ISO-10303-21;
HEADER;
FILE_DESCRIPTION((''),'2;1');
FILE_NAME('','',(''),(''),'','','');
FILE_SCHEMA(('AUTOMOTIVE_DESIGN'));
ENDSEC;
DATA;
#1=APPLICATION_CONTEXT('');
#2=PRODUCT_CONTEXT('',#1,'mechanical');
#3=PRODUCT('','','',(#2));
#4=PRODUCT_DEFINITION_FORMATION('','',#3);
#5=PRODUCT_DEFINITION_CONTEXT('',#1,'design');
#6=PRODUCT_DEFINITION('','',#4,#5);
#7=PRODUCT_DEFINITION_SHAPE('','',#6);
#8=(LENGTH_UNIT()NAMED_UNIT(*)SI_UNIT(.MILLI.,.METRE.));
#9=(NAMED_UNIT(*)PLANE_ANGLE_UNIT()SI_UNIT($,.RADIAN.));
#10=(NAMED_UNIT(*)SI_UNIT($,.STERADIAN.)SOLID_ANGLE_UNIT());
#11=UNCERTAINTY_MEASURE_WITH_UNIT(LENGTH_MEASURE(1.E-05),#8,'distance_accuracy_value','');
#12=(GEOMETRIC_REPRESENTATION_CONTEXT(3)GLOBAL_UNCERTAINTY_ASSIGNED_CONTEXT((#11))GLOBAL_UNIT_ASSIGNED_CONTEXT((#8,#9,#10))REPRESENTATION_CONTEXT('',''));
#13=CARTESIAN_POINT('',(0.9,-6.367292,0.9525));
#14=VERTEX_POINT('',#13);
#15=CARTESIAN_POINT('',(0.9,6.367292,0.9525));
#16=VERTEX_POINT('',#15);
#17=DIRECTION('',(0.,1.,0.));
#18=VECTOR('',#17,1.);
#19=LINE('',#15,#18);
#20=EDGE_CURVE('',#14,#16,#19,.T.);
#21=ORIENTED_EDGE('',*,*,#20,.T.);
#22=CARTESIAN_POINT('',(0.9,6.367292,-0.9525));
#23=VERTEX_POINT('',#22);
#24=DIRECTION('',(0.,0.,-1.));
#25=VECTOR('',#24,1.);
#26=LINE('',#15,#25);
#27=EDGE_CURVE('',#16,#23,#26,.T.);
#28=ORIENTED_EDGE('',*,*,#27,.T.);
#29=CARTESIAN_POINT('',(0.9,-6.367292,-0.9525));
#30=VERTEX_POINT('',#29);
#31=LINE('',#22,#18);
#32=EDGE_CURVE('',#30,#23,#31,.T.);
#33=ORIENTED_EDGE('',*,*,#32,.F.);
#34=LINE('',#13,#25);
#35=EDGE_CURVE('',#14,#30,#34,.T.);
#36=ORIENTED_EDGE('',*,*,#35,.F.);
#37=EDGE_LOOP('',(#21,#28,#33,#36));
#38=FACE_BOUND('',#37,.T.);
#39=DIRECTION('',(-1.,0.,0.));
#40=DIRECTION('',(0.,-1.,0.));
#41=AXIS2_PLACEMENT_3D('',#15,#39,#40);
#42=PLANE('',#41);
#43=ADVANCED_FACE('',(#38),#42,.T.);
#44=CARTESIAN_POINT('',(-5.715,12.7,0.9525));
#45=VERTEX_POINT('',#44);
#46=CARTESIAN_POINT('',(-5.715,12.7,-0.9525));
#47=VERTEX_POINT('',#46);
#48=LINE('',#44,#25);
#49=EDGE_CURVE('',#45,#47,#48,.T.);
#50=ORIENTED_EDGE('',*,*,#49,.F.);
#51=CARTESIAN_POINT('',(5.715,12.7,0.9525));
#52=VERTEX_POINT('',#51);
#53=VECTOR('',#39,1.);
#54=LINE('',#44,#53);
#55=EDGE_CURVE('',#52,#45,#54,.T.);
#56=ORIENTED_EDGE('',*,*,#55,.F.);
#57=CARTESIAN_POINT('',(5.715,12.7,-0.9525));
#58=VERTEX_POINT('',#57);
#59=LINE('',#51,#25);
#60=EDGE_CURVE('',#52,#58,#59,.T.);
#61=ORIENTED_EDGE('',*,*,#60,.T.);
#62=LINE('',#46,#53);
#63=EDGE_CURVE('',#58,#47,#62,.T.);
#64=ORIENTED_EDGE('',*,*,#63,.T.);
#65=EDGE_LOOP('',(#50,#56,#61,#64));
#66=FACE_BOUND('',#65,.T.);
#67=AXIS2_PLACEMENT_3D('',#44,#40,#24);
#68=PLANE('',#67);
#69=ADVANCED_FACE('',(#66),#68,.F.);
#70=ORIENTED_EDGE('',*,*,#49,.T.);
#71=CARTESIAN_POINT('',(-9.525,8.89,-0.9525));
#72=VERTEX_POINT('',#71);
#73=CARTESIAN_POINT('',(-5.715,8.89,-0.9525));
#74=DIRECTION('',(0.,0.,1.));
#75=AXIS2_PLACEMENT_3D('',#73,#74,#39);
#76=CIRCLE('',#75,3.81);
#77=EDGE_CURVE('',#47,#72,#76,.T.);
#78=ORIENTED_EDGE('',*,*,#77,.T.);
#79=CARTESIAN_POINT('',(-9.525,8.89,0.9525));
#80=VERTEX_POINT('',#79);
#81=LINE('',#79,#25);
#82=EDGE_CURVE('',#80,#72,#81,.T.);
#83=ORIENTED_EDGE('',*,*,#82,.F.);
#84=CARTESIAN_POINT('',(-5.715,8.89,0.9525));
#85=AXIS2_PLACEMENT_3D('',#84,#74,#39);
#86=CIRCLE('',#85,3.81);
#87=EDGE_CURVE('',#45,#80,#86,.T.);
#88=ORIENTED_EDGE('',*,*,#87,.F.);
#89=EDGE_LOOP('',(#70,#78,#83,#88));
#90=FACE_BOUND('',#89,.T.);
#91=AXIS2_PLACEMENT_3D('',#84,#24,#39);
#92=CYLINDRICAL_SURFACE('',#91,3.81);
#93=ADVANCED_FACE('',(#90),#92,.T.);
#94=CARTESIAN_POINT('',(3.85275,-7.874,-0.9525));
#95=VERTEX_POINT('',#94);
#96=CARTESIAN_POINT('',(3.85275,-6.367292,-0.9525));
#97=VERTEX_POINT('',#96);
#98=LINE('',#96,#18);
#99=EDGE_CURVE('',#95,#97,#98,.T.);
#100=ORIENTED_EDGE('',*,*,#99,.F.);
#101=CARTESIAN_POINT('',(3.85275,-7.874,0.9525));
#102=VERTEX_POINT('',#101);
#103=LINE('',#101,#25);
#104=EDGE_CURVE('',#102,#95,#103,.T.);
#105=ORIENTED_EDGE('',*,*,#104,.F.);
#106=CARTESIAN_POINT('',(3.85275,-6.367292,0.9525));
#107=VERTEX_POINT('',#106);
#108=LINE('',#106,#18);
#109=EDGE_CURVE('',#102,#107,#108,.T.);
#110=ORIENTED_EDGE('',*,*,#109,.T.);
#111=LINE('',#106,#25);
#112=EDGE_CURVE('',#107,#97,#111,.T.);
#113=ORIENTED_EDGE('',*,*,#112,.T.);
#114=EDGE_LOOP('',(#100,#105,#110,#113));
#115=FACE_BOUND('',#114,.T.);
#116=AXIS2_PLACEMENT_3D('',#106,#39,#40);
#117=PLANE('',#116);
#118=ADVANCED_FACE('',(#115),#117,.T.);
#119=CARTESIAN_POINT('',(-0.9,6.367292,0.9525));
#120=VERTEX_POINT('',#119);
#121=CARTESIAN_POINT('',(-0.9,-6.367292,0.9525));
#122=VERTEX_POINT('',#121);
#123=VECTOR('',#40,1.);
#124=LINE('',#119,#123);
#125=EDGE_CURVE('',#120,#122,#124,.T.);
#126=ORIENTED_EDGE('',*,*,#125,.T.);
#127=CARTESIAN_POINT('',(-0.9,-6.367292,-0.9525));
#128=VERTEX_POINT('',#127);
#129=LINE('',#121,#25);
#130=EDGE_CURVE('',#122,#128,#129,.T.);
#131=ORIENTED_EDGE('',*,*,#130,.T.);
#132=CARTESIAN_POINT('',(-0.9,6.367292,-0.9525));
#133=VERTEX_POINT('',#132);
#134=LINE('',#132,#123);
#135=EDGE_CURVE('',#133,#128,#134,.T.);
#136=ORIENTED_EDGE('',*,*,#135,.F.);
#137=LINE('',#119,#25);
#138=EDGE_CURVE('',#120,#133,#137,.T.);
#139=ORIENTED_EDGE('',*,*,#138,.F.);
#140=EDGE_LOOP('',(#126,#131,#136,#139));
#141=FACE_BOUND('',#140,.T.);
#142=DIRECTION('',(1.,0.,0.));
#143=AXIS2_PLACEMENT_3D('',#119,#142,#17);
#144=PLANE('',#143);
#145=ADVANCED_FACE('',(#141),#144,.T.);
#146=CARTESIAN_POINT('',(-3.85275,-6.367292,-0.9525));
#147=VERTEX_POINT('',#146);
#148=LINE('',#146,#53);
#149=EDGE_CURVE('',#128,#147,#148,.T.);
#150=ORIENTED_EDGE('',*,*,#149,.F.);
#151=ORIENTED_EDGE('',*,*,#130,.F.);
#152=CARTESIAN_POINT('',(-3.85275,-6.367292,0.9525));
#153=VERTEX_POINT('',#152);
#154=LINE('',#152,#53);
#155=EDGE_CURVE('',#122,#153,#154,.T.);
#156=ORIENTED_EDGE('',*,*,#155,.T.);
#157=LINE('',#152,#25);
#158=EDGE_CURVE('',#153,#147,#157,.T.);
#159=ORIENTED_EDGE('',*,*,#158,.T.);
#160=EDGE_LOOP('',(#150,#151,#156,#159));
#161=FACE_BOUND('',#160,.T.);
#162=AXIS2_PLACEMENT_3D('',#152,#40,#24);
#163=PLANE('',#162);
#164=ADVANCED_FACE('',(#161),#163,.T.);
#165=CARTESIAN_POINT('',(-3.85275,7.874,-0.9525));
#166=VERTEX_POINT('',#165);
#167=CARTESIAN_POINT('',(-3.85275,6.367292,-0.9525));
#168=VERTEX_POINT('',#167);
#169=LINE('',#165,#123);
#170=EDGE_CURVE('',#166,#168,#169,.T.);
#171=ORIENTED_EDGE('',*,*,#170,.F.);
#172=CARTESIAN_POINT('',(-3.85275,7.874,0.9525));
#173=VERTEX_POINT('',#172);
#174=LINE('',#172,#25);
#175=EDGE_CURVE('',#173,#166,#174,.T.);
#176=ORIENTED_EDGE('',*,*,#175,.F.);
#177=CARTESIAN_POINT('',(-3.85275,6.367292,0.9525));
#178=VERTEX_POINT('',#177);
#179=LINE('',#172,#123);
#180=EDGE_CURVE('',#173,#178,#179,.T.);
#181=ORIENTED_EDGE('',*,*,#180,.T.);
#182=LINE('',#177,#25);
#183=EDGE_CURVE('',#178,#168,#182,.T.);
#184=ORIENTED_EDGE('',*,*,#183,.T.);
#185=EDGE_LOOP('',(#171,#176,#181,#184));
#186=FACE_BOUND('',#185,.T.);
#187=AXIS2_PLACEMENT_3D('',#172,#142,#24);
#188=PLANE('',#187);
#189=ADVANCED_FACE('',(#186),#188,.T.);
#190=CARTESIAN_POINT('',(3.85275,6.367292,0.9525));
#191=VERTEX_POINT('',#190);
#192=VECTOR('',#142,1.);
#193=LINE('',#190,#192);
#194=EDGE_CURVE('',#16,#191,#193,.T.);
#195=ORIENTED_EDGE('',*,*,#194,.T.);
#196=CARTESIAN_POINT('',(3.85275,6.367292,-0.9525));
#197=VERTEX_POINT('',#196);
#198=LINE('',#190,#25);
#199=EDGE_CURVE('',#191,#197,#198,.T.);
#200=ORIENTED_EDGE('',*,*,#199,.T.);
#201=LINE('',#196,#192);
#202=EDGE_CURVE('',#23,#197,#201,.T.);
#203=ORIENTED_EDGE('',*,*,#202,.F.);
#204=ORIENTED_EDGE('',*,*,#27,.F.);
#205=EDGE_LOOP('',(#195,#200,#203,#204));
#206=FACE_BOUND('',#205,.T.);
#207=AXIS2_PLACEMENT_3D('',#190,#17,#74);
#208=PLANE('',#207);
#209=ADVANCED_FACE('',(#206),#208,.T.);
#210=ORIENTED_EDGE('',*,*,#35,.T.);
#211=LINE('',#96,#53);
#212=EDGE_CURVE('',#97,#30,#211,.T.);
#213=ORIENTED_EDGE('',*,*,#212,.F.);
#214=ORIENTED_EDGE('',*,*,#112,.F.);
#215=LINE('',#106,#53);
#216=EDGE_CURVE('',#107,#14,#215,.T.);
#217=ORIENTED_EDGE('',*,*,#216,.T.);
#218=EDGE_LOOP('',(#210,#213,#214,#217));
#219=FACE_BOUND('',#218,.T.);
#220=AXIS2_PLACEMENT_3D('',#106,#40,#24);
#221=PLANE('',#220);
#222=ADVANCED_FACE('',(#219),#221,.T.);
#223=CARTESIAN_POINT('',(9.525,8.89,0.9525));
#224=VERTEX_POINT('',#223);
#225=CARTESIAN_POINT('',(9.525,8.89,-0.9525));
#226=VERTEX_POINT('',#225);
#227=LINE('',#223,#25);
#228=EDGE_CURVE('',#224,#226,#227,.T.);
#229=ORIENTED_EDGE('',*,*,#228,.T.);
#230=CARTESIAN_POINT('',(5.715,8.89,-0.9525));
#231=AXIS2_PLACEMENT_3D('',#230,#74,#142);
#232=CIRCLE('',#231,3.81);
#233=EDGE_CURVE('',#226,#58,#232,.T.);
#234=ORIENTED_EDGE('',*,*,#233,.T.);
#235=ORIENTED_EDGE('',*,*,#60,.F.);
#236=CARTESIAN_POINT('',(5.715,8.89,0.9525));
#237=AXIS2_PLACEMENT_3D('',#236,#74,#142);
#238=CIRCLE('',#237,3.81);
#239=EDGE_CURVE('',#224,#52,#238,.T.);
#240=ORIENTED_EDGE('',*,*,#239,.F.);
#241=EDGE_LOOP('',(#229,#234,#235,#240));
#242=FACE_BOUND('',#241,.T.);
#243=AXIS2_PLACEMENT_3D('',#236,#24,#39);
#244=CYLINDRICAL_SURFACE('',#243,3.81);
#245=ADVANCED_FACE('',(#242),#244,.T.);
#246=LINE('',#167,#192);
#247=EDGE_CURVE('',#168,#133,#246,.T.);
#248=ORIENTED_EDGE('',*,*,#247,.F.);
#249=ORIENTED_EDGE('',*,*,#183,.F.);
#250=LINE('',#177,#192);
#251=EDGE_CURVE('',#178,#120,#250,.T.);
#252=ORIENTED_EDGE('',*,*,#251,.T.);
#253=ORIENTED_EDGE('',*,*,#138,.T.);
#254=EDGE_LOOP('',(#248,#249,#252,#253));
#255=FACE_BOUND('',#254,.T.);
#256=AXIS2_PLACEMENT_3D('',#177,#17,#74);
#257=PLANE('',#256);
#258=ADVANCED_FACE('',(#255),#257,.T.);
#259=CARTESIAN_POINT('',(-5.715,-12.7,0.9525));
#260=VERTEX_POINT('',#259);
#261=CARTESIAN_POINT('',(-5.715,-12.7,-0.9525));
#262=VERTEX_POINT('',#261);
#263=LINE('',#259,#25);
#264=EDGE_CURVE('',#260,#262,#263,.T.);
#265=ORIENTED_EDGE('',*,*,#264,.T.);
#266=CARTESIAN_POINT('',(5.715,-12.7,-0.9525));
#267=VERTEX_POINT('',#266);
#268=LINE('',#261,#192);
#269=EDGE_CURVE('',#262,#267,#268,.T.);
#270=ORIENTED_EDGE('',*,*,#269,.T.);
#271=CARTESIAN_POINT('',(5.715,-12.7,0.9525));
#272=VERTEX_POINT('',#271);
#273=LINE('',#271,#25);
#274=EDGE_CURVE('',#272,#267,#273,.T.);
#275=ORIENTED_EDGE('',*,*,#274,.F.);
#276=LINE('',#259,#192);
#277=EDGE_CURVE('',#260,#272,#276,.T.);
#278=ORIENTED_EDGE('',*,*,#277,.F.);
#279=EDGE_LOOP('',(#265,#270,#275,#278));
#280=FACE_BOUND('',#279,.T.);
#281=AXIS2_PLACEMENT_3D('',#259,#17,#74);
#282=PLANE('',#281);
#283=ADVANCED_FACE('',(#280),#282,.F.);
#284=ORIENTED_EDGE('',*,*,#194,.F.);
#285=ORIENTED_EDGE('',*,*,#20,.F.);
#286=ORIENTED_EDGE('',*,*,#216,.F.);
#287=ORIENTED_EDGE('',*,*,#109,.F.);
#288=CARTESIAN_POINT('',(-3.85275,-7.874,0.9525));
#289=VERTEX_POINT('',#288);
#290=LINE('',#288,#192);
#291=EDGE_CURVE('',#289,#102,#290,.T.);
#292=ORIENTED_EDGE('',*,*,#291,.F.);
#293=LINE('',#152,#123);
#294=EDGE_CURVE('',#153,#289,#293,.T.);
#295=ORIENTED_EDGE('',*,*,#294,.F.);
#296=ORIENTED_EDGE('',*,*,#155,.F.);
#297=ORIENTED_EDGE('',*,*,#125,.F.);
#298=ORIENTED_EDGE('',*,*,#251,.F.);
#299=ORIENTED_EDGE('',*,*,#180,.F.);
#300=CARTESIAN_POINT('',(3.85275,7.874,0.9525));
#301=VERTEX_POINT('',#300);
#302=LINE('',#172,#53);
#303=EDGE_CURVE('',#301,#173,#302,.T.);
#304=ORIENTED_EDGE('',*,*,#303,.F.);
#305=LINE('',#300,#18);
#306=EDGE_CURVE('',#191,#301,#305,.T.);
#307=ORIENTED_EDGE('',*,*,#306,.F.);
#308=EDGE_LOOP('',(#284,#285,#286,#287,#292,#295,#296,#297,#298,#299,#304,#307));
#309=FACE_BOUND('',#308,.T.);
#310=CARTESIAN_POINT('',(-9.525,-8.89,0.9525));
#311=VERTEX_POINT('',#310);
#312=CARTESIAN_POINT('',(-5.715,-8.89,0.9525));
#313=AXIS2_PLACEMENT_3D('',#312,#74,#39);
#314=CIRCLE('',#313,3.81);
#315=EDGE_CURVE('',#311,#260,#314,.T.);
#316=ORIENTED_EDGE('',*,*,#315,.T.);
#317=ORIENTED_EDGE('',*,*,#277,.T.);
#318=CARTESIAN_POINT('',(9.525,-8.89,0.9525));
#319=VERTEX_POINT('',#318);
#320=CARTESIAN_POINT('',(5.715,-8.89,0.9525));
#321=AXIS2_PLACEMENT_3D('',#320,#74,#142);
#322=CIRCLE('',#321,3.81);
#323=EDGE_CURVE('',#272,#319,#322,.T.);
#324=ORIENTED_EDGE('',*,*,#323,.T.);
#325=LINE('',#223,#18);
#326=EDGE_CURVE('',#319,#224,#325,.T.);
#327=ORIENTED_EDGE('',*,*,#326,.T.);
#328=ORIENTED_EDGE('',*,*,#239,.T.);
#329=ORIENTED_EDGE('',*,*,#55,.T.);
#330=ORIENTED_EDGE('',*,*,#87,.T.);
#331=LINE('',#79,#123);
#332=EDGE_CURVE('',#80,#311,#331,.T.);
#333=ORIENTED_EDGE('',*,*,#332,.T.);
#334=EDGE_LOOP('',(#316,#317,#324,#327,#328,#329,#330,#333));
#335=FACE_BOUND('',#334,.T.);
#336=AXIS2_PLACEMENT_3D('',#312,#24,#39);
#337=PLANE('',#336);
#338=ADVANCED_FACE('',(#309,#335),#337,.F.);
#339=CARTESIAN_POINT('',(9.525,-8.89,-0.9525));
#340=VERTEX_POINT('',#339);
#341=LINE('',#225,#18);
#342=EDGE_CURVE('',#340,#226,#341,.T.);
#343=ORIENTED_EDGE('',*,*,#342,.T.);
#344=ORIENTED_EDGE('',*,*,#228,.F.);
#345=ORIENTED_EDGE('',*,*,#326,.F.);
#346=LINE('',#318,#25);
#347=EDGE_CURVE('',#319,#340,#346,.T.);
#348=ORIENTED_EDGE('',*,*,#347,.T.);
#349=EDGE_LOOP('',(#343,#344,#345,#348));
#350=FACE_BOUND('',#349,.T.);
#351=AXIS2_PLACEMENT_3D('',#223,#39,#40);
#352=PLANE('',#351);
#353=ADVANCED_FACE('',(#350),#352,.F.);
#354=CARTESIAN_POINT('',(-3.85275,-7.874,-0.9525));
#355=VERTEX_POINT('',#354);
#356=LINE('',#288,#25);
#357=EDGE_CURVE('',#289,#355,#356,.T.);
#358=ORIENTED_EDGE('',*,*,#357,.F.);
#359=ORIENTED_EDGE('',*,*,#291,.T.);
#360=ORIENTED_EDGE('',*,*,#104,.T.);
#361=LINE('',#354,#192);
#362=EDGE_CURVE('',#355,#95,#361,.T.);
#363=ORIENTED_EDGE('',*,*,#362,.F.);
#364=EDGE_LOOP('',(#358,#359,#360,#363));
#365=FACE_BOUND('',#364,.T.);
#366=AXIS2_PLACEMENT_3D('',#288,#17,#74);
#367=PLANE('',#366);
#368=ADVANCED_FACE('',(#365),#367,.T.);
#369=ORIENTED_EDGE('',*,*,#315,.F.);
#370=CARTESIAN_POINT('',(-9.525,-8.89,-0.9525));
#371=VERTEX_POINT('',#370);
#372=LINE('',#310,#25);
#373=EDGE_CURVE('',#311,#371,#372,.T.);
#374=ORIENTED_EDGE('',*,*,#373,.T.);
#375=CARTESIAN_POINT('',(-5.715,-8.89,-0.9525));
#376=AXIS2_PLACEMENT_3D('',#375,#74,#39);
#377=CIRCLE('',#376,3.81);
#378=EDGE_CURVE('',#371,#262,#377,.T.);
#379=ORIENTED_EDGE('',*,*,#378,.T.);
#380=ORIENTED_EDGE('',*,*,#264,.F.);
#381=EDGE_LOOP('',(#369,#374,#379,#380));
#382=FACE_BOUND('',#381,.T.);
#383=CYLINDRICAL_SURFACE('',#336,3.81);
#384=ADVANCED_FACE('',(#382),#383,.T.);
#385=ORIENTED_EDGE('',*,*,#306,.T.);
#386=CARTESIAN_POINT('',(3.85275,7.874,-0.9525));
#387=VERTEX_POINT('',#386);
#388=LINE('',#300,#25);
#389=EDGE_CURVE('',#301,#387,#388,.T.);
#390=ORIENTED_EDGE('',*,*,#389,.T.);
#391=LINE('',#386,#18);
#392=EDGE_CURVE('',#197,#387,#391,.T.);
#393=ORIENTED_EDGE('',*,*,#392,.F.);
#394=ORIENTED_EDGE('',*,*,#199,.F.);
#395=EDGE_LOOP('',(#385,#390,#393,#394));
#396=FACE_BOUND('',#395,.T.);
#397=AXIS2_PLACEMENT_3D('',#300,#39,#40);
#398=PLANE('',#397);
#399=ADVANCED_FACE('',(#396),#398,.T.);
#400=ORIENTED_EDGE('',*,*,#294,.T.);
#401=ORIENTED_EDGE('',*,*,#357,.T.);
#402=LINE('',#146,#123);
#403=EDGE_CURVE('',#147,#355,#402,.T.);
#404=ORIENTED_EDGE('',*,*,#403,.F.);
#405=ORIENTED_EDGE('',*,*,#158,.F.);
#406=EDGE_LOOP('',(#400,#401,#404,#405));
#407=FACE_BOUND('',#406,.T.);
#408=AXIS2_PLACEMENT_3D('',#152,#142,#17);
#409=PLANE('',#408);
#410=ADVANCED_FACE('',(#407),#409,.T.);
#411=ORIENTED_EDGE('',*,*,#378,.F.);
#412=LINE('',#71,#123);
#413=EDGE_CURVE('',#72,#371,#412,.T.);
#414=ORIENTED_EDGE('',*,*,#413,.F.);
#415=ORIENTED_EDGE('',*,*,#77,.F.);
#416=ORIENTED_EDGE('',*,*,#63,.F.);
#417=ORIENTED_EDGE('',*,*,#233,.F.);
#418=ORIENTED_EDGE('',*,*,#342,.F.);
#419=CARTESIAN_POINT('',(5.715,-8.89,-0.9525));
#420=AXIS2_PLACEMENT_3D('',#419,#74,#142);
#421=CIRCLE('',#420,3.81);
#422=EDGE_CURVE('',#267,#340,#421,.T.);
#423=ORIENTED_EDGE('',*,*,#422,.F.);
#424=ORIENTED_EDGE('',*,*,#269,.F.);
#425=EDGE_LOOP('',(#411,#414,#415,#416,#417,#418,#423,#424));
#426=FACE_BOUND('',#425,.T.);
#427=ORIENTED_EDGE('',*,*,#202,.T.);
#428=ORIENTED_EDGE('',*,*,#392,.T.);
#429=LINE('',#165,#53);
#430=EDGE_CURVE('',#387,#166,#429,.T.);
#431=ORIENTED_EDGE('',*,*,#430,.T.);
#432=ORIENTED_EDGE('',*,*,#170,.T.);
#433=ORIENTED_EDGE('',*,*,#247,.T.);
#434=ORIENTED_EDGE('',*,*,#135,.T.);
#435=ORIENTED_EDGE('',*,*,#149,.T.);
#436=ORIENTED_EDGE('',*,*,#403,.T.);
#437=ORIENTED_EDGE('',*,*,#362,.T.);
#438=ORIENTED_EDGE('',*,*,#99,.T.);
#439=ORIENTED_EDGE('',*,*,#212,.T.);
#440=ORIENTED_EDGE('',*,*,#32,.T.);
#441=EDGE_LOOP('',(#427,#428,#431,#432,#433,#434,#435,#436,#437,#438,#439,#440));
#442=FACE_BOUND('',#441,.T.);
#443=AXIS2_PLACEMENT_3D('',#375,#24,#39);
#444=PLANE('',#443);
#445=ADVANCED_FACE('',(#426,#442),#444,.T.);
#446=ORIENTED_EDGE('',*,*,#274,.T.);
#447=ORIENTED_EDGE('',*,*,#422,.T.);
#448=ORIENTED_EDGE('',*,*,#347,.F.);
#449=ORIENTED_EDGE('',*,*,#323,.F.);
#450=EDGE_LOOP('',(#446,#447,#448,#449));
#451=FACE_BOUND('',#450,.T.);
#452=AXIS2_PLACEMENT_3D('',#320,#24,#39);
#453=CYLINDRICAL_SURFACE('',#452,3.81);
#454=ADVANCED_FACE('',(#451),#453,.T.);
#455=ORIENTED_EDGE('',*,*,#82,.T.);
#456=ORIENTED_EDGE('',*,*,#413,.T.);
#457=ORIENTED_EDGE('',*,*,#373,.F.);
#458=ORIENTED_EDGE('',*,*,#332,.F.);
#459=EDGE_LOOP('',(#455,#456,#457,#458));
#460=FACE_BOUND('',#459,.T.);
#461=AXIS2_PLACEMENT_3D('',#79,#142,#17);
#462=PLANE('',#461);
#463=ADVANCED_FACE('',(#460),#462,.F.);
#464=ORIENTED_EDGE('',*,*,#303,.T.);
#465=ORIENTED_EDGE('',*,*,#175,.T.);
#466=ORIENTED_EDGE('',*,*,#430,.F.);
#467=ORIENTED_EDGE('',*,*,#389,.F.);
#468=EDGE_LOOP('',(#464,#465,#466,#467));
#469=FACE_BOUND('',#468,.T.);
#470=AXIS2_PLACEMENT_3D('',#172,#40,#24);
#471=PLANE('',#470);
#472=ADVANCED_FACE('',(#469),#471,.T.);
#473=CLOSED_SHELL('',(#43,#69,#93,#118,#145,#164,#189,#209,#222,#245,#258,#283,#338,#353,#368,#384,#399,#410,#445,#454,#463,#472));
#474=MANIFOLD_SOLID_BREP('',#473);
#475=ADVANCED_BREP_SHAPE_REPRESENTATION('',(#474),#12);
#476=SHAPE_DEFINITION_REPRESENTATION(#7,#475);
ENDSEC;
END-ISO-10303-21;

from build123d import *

# Parameters (mm, degrees)
BOSS_EXTRUDE1_DEPTH = 0.9525


with BuildPart() as part:
    # Sketch1 → Boss-Extrude1 (new, symmetric)
    with BuildSketch(Plane.XY):
        with BuildLine():
            Line((-5.715, 12.7), (5.715, 12.7))
            ThreePointArc((5.715, 12.7), (8.409076836, 11.584076836), (9.525, 8.89))
            Line((9.525, 8.89), (9.525, -8.89))
            ThreePointArc((9.525, -8.89), (8.409076836, -11.584076836), (5.715, -12.7))
            Line((5.715, -12.7), (-5.715, -12.7))
            ThreePointArc((-5.715, -12.7), (-8.409076836, -11.584076836), (-9.525, -8.89))
            Line((-9.525, -8.89), (-9.525, 8.89))
            ThreePointArc((-9.525, 8.89), (-8.409076836, 11.584076836), (-5.715, 12.7))
        make_face()
        Polygon((-3.85275, -6.367292239), (-3.85275, -7.874), (3.85275, -7.874), (3.85275, -6.367292239), (0.9, -6.367292239), (0.9, 6.367292239), (3.85275, 6.367292239), (3.85275, 7.874), (-3.85275, 7.874), (-3.85275, 6.367292239), (-0.9, 6.367292239), (-0.9, -6.367292239), align=None, mode=Mode.SUBTRACT)
    extrude(amount=BOSS_EXTRUDE1_DEPTH, both=True)


solid = part.part
